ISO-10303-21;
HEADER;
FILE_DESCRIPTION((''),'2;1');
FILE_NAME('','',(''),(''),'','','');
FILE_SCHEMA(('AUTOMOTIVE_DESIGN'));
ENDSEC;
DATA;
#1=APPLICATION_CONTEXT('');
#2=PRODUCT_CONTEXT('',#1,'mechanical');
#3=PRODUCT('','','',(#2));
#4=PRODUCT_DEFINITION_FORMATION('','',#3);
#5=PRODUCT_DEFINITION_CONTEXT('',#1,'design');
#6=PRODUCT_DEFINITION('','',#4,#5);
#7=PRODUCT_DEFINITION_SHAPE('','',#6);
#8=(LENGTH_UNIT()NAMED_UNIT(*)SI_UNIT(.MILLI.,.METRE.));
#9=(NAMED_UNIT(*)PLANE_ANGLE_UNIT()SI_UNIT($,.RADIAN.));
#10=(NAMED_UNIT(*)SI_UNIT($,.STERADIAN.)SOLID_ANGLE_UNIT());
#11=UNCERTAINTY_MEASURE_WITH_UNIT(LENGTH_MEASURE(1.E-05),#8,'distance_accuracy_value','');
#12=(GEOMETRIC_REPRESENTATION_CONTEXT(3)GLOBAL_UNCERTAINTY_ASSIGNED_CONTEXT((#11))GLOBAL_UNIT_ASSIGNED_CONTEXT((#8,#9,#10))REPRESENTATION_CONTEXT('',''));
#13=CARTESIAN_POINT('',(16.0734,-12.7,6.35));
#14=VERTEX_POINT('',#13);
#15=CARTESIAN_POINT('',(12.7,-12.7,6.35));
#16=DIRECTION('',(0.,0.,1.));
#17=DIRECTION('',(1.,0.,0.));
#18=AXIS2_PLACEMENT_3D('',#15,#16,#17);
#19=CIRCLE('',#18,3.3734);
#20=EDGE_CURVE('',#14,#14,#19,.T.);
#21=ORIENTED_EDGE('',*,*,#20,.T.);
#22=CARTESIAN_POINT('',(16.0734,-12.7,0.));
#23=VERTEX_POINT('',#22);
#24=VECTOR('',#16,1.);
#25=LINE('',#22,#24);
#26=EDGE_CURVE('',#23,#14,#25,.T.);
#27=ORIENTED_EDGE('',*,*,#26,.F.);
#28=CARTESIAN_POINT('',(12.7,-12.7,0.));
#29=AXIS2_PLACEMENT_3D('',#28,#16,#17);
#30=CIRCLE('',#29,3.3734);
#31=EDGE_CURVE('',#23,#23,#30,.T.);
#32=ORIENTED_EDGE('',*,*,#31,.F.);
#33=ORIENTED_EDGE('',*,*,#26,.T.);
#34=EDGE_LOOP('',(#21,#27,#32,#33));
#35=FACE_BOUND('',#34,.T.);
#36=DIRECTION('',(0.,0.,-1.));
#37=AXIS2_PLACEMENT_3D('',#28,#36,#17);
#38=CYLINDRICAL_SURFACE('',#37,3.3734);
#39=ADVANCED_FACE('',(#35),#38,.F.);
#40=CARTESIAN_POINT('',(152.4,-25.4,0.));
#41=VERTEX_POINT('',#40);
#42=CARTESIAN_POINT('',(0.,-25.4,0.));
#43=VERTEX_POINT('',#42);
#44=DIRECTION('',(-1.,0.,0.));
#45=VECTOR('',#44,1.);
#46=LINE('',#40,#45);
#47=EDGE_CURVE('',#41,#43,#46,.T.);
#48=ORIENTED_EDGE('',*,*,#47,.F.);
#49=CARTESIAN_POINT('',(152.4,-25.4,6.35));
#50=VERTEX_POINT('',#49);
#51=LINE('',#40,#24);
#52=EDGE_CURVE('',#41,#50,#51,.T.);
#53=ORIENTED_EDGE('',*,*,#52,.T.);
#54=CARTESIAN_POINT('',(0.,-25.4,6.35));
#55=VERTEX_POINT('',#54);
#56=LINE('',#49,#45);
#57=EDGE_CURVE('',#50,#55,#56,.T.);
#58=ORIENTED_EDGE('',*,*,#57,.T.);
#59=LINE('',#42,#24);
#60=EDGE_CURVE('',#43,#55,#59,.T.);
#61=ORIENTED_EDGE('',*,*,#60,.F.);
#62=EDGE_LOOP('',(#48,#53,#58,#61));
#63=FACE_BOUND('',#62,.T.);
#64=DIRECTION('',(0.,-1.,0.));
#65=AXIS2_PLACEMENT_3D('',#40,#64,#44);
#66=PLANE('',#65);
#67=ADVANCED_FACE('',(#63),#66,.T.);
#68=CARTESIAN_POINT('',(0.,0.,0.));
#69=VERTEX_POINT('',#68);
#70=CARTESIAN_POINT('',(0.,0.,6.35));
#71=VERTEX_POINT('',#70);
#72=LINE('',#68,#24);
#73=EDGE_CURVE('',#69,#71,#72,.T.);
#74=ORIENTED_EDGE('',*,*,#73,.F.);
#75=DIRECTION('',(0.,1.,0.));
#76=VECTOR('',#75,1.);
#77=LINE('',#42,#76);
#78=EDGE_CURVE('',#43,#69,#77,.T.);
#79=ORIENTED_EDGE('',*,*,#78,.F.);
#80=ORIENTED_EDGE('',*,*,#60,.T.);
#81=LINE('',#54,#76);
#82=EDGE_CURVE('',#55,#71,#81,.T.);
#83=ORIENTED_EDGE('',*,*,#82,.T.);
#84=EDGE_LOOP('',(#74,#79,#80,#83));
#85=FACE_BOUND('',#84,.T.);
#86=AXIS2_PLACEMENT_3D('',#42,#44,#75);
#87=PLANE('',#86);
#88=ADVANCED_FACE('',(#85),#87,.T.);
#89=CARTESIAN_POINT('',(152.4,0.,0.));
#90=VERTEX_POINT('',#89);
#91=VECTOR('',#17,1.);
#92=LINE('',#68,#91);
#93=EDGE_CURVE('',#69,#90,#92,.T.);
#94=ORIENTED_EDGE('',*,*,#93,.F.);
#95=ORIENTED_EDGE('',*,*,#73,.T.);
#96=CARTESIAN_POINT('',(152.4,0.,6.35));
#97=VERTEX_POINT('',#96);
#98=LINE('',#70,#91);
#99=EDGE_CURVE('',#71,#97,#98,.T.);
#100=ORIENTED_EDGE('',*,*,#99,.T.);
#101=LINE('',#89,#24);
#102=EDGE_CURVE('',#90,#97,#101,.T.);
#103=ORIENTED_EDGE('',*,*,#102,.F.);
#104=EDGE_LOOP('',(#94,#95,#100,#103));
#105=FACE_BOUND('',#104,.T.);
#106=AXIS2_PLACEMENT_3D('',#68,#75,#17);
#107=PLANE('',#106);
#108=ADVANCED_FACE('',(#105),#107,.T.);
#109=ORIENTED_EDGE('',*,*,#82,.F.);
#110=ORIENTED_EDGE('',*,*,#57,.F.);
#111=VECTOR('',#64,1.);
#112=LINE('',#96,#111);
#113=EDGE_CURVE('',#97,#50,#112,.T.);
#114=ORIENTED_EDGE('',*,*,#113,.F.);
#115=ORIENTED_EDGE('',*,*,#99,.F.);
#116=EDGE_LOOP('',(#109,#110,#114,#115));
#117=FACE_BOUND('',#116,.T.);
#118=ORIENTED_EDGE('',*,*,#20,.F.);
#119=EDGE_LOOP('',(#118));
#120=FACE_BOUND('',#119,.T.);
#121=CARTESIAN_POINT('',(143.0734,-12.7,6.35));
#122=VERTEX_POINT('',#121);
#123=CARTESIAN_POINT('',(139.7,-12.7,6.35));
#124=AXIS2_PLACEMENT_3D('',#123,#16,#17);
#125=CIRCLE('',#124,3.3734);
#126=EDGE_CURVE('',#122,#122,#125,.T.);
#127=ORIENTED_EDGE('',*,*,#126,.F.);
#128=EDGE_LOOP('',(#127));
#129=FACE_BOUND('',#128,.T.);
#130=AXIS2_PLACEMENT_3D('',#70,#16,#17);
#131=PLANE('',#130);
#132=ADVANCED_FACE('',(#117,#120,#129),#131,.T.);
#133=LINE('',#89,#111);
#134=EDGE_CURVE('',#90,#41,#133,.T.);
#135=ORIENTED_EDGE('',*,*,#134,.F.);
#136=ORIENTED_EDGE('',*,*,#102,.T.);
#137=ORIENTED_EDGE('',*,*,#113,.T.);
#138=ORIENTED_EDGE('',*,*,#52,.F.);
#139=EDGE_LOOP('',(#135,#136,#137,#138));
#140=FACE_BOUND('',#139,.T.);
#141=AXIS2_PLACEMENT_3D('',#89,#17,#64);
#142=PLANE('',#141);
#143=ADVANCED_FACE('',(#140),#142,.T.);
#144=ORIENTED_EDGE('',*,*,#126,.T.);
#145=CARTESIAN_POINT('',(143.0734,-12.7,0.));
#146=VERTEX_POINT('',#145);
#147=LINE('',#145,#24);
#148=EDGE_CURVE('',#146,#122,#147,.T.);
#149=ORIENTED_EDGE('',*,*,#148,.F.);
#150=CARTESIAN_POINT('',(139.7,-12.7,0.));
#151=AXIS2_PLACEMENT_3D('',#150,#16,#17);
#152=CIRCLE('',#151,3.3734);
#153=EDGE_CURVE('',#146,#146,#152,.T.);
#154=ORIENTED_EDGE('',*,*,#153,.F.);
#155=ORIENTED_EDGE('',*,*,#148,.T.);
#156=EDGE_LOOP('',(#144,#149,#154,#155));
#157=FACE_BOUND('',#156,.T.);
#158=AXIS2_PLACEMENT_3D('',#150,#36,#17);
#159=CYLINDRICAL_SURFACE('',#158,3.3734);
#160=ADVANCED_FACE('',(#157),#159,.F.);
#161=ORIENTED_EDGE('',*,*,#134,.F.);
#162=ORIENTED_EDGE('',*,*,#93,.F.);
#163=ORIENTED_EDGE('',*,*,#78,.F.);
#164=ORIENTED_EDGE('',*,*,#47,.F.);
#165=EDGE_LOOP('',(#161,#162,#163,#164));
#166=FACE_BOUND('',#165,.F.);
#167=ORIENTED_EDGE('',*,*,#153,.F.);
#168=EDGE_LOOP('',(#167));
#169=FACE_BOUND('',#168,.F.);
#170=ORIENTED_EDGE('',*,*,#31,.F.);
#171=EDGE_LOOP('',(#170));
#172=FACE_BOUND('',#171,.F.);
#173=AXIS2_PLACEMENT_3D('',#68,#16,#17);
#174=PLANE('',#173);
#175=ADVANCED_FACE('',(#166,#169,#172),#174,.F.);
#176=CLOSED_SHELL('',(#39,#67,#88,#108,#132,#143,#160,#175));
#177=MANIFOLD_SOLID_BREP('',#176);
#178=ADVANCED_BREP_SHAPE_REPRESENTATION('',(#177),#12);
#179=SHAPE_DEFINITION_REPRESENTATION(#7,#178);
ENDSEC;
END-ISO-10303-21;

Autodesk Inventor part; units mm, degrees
ref_plane "YZ Plane" through (0, 0, 0) normal (1, 0, 0) x (0, 1, 0)
ref_plane "XZ Plane" through (0, 0, 0) normal (0, 1, 0) x (-1, 0, 0)
ref_plane "XY Plane" through (0, 0, 0) normal (0, 0, 1) x (1, 0, 0)
sketch "Sketch1" plane through (0, 0, 0) normal (0, 0, 1) x (1, 0, 0)
  line L0 (0, 0) -> (152.4, 0)
  line L1 (152.4, 0) -> (152.4, -25.4)
  line L2 (152.4, -25.4) -> (0, -25.4)
  line L3 (0, -25.4) -> (0, 0)
  circle A0 centre (139.7, -12.7) radius 3.3734
  circle A1 centre (12.7, -12.7) radius 3.3734
  dimension "d0" = 152.4
  dimension "d1" = 25.4
  dimension "d2" = 6.7469
  dimension "d3" = 6.7469
  dimension "d4" = 12.7
  dimension "d5" = 12.7
  dimension "d6" = 12.7
  dimension "d7" = 12.7
extrude "Extrusion1" add sketch "Sketch1" along normal blind 6.35
properties part number "articulated plate"
